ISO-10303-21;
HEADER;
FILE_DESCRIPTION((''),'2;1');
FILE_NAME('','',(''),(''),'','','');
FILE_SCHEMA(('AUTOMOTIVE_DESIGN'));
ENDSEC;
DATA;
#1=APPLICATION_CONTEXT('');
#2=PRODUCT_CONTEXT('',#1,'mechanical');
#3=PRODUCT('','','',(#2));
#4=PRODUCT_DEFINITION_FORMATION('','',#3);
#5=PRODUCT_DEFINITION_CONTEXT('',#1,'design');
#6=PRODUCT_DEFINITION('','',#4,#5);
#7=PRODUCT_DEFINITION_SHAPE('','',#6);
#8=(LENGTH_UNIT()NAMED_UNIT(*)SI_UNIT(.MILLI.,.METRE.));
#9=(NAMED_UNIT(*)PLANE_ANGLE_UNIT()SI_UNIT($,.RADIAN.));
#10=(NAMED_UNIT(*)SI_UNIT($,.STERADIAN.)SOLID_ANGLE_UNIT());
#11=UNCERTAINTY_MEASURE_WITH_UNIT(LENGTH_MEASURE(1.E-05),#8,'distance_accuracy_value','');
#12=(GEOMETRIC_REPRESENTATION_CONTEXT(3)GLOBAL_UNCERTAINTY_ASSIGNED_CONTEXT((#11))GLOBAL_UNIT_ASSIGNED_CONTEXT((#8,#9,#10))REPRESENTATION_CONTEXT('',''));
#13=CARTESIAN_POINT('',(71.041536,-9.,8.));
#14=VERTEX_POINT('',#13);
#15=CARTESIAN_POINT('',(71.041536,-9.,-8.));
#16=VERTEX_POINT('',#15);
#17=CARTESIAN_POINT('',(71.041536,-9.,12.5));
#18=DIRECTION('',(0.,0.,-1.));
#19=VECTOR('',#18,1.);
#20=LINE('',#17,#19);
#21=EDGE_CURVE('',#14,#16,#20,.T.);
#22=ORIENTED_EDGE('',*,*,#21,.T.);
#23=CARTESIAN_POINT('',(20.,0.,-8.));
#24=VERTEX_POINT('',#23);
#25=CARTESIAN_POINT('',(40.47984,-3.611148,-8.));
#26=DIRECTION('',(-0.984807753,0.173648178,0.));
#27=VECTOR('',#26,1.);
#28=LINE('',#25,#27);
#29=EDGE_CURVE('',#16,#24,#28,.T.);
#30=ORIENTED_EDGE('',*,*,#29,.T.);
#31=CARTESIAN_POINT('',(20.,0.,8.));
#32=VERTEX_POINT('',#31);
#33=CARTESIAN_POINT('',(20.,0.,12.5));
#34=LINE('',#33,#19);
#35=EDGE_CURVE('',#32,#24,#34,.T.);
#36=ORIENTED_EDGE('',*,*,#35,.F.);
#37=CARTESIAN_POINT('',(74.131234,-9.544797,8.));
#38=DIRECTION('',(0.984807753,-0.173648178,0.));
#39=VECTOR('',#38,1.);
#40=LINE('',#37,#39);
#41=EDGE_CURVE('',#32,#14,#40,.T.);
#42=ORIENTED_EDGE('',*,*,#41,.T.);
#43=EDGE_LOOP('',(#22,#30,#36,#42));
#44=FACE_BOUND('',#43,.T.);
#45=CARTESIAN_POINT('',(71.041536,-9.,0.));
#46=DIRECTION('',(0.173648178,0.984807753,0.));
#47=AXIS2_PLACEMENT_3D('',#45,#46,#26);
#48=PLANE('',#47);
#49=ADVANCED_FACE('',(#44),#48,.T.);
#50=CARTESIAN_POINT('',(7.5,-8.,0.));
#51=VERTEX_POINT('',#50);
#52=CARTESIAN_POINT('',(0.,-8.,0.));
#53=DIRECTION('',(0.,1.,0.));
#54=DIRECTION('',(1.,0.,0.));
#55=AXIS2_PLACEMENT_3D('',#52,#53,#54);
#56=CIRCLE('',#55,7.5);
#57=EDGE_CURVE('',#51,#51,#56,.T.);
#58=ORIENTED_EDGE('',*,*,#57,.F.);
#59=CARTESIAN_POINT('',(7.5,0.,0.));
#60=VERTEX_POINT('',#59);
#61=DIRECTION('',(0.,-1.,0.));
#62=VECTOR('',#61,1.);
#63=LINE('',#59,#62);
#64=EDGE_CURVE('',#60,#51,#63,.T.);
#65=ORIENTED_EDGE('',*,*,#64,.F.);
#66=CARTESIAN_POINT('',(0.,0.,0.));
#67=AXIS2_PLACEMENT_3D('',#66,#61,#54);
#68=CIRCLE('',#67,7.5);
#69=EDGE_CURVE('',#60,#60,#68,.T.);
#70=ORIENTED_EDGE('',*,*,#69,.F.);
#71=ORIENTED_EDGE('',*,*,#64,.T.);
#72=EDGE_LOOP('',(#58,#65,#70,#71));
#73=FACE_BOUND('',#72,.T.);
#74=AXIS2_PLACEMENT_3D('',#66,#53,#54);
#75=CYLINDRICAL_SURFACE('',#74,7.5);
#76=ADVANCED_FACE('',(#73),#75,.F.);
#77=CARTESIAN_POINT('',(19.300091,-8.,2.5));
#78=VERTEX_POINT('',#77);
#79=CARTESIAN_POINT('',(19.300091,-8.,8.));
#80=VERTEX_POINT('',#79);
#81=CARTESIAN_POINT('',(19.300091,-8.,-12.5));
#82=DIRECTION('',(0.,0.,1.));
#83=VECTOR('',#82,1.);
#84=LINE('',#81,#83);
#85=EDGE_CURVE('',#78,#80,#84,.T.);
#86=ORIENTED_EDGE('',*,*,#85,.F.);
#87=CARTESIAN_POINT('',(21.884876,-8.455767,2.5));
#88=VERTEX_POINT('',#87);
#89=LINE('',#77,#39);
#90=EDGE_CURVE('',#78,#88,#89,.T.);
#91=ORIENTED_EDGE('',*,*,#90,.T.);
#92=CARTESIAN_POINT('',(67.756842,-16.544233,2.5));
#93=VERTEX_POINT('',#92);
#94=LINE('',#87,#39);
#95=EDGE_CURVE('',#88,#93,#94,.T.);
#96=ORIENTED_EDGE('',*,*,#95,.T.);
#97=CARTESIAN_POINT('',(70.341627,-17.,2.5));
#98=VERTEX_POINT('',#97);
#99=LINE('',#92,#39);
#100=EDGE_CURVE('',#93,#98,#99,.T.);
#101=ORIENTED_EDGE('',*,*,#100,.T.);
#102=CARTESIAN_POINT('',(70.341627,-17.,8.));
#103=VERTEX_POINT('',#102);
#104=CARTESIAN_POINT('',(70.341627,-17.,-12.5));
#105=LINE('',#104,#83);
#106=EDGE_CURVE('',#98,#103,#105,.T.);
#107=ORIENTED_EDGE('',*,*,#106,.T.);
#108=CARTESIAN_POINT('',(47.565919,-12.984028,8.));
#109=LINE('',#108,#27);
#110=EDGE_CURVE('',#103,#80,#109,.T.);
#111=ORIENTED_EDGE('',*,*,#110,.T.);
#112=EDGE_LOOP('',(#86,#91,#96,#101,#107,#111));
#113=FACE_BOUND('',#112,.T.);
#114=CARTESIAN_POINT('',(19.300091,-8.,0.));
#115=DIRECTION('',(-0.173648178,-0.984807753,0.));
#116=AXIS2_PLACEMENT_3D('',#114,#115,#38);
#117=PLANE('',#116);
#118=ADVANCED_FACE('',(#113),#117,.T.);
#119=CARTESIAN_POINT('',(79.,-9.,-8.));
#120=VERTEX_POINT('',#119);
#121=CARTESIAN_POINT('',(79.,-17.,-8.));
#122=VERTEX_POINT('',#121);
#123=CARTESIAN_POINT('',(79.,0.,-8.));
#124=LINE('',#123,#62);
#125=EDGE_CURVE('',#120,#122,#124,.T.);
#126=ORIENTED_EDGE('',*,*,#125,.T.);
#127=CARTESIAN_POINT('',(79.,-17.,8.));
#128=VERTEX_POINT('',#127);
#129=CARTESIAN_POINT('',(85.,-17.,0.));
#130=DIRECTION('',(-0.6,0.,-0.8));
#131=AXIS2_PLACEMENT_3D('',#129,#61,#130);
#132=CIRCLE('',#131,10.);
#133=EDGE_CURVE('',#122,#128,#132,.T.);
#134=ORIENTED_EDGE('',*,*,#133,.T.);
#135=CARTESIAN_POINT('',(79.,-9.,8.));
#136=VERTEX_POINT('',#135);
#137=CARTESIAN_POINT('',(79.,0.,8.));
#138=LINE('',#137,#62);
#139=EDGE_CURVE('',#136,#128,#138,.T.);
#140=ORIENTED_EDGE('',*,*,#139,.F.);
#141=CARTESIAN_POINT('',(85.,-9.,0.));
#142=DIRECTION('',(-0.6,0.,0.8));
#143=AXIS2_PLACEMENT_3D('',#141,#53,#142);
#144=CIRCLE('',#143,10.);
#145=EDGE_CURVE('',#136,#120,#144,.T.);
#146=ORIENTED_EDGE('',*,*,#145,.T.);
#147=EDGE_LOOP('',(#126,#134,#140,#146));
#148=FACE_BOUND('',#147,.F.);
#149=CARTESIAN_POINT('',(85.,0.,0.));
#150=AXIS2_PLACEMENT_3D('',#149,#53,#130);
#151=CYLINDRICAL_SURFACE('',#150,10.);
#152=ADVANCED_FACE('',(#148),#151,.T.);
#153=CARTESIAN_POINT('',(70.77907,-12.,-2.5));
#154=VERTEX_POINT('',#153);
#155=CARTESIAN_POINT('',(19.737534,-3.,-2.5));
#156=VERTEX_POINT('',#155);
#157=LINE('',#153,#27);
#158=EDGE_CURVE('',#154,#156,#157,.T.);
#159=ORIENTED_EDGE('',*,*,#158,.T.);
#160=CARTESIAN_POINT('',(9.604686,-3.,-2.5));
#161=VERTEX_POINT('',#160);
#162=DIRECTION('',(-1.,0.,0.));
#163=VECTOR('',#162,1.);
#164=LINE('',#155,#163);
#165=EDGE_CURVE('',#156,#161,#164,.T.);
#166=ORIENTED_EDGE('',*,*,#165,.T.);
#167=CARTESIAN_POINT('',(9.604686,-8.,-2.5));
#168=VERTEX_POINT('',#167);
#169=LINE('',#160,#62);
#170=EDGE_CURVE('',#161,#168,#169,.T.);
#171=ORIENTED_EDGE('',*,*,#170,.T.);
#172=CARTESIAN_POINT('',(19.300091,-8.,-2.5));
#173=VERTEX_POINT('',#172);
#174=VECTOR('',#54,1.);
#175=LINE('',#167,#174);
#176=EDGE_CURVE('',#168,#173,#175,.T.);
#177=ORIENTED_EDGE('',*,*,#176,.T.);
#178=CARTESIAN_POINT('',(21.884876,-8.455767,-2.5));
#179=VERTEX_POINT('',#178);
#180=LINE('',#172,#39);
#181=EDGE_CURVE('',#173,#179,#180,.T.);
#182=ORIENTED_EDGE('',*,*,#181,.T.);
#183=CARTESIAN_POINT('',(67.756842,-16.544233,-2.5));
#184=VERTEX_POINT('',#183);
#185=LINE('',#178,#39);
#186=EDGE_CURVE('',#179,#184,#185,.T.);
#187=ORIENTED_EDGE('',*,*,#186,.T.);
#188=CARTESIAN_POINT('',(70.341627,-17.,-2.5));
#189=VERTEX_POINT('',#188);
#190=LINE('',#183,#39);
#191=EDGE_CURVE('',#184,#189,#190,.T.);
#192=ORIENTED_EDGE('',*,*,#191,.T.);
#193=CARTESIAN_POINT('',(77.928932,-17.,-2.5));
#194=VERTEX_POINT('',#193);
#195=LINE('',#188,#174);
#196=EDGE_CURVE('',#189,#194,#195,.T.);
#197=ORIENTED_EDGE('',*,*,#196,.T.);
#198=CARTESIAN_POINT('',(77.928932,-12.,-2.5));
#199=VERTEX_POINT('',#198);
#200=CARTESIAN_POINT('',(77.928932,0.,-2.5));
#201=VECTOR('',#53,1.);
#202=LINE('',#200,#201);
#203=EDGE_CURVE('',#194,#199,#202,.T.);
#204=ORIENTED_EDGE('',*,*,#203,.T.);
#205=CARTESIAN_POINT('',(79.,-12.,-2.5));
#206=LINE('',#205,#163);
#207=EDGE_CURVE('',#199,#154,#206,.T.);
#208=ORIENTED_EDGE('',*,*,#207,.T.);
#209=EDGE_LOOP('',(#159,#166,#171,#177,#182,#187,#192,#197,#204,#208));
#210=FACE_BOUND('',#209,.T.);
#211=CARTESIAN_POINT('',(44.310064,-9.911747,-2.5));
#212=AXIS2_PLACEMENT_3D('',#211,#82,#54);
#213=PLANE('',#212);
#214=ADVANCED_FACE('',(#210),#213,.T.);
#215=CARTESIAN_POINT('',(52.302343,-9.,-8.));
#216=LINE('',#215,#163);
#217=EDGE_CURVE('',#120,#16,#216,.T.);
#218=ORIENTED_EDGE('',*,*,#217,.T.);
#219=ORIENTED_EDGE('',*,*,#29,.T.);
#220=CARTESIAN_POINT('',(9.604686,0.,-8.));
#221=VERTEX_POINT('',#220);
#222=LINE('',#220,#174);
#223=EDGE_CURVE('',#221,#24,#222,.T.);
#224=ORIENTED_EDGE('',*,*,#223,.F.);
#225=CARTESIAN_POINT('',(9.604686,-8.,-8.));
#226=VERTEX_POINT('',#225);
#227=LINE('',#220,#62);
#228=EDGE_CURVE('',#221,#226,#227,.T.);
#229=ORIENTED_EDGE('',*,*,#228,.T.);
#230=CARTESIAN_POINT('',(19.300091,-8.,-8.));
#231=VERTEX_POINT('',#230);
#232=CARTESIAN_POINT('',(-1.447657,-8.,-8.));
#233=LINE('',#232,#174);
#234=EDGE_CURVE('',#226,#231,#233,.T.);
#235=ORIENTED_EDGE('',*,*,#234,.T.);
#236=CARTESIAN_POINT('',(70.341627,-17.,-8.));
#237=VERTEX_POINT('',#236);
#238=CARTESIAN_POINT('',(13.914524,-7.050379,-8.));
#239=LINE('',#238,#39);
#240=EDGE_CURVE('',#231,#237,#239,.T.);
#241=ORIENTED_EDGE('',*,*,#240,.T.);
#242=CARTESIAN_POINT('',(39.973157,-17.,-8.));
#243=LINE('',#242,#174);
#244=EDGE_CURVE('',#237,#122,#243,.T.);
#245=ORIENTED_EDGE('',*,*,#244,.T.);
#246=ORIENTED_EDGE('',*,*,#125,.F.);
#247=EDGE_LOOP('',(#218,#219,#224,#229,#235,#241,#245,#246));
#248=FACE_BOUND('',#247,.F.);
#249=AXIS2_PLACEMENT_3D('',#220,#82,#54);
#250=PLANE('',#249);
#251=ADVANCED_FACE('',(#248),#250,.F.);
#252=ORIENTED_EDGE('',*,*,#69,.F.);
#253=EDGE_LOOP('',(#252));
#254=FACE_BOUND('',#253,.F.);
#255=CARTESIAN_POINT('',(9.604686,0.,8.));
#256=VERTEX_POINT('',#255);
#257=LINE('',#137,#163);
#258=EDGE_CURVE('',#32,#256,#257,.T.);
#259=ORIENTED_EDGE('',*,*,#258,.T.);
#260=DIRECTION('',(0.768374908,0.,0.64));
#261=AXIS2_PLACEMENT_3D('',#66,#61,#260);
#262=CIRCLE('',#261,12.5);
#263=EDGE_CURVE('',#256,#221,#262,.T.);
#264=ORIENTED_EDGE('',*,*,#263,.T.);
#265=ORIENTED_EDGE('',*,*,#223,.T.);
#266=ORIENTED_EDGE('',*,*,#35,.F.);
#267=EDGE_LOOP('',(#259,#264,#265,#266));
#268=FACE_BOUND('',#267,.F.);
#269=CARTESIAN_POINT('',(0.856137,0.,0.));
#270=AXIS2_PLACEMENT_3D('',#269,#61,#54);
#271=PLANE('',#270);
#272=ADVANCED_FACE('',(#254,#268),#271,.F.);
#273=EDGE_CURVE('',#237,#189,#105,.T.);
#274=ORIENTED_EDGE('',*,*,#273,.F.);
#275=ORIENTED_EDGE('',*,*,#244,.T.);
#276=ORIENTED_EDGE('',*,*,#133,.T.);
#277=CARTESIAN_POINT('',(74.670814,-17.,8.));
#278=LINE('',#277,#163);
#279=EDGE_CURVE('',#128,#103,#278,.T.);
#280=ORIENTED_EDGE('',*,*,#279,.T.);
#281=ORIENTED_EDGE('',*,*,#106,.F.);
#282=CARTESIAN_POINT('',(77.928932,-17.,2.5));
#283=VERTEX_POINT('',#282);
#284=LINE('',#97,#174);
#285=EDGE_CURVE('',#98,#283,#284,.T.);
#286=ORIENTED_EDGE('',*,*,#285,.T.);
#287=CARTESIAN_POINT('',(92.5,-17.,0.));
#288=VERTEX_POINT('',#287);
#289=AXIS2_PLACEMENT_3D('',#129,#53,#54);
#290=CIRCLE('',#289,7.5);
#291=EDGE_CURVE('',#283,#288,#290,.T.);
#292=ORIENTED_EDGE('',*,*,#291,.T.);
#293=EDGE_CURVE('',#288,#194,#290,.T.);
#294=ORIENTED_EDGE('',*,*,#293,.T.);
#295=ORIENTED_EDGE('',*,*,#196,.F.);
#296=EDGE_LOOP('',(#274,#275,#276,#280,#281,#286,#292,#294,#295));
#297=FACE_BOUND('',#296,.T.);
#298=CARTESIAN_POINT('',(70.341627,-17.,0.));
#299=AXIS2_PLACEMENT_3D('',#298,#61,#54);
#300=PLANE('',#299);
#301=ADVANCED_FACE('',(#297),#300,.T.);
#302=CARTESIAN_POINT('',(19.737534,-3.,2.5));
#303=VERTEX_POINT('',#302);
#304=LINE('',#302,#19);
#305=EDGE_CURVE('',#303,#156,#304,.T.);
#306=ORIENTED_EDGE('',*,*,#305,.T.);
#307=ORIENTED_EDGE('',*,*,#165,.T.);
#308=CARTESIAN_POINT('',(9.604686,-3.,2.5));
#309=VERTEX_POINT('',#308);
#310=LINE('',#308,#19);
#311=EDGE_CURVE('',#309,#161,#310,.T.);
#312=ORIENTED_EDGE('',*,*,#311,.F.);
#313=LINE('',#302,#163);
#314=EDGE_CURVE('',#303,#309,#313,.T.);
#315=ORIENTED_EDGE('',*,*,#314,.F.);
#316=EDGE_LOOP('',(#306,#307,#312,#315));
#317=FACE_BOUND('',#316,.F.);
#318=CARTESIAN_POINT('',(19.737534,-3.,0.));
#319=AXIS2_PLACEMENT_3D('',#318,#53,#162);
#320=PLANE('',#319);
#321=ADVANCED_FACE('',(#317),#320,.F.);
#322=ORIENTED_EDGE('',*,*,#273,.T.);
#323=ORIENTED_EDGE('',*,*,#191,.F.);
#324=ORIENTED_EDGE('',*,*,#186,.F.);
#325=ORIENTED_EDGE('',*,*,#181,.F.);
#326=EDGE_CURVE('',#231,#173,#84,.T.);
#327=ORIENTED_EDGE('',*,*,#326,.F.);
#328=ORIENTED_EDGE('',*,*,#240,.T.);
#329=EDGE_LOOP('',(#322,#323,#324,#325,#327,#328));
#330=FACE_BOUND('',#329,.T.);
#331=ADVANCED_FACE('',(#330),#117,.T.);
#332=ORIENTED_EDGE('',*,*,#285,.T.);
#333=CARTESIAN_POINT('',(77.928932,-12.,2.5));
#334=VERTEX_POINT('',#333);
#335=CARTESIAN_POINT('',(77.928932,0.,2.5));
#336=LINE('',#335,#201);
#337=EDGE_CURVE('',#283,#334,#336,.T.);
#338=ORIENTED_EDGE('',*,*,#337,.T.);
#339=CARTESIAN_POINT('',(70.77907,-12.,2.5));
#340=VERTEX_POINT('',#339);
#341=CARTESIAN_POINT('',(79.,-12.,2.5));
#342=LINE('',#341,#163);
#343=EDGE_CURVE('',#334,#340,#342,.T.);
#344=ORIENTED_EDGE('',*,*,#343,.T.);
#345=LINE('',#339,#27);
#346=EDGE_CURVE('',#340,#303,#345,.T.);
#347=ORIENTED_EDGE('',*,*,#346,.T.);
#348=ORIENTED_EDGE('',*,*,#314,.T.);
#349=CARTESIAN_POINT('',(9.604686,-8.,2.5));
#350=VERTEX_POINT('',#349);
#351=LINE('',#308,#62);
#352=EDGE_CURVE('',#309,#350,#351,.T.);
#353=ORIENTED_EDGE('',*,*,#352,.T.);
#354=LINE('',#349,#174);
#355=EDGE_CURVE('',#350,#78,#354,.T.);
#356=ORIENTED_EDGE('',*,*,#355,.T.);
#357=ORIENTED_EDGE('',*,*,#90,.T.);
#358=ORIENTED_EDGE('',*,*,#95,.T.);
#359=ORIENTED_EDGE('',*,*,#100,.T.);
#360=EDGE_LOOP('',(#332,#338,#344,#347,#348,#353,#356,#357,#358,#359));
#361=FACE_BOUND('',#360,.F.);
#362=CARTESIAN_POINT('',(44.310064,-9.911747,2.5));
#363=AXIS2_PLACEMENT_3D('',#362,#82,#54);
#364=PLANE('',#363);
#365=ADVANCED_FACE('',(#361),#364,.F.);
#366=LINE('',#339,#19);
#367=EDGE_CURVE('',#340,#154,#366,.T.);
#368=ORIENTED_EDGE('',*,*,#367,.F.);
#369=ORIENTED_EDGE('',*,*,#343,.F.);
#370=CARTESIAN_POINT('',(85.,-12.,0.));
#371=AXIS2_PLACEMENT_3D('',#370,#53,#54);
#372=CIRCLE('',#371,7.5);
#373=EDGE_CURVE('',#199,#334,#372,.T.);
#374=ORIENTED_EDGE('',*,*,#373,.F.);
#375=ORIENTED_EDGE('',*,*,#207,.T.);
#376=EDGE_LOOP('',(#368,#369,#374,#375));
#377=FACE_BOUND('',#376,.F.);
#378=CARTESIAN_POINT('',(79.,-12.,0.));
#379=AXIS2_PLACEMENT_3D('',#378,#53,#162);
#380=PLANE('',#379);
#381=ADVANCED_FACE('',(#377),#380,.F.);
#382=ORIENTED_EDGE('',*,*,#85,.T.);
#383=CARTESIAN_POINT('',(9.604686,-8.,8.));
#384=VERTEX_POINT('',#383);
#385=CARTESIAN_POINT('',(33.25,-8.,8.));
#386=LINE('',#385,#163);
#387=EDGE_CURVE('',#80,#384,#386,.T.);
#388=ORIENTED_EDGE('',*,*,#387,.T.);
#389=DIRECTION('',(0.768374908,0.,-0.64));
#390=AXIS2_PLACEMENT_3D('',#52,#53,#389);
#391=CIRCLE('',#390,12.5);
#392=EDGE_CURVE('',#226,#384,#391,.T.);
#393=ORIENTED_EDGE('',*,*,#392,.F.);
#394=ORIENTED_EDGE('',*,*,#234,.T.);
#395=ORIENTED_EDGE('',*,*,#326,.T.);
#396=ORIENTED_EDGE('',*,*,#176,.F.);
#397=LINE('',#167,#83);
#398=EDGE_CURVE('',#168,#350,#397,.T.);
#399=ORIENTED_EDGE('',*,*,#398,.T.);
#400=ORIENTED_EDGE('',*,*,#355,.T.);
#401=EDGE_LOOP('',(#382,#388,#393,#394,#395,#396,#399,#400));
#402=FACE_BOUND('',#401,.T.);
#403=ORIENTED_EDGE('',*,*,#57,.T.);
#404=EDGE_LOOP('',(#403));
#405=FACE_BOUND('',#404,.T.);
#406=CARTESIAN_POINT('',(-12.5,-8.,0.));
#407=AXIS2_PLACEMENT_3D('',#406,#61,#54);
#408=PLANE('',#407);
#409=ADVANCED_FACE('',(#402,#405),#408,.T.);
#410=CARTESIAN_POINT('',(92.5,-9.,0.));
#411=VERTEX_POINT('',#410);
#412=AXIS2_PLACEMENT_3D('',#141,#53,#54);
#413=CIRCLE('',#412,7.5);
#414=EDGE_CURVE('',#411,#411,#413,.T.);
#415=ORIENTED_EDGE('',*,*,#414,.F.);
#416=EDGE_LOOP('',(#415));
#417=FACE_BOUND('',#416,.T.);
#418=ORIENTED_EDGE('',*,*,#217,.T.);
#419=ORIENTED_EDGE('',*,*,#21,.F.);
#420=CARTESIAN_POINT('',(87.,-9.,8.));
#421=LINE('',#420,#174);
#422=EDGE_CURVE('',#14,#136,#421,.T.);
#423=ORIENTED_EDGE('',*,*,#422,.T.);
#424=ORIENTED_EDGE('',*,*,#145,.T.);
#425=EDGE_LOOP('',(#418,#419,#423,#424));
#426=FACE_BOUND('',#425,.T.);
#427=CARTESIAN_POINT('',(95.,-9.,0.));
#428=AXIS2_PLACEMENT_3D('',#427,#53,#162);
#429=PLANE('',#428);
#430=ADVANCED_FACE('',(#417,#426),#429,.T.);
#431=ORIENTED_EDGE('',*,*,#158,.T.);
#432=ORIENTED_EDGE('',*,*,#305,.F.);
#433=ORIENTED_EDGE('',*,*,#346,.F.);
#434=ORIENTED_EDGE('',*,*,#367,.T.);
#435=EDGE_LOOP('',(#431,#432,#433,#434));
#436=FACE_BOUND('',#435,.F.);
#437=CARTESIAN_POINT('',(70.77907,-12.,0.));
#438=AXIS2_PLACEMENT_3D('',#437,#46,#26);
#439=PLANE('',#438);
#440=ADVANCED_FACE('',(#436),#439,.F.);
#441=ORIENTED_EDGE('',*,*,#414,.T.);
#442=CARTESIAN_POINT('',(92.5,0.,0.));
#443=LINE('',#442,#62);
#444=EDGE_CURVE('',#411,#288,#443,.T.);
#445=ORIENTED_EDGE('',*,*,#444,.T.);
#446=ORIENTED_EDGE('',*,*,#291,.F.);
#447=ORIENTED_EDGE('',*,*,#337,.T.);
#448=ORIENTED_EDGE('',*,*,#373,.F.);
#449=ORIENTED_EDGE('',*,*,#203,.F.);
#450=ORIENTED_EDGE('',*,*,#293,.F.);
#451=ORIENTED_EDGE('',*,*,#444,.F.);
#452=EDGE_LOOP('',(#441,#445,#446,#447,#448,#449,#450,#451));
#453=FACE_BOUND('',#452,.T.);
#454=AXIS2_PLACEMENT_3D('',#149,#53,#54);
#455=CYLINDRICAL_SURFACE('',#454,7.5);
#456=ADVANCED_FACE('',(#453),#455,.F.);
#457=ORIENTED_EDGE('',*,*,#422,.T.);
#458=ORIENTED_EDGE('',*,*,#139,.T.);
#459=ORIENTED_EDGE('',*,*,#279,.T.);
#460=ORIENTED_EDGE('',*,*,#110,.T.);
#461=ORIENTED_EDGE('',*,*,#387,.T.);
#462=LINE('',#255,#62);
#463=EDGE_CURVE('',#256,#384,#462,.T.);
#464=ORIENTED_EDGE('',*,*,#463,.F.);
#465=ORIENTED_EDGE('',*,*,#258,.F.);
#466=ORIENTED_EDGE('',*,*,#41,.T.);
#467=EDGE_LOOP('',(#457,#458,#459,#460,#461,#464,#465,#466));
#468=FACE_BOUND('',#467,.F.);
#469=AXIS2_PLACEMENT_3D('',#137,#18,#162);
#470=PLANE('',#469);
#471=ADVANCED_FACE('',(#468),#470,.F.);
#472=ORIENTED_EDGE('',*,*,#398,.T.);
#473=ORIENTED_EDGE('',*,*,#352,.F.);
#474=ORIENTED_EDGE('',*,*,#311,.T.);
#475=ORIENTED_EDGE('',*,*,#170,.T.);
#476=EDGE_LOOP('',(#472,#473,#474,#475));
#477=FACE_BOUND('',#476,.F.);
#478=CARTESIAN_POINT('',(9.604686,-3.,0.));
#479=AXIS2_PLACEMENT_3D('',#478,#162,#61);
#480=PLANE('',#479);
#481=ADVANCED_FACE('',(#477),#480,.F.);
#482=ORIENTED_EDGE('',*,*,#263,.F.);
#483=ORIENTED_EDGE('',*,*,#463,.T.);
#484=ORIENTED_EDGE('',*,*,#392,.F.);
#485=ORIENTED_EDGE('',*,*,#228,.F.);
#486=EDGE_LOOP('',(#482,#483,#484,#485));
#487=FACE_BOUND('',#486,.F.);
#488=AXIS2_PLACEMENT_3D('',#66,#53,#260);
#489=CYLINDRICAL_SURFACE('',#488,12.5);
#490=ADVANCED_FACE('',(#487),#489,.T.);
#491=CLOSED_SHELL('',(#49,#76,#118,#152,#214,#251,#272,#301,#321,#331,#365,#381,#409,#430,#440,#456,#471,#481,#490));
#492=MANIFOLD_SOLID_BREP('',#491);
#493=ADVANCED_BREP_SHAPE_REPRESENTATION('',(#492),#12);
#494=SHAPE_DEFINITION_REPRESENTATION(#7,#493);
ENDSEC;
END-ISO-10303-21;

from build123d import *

# Parameters (mm, degrees)
F0_R     = 7.5
F1_DEPTH = 25
F3_DEPTH = 12.5
F5_DEPTH = 2.5


with BuildPart() as f1:
    # F0 (on Front) → F1 (new body)
    with BuildSketch(Plane.XZ):
        with BuildLine():
            ThreePointArc((9.6046863561, -8), (11.7539052968, -4.2539052968), (12.5, 0))
            ThreePointArc((12.5, 0), (11.7539052968, 4.2539052968), (9.6046863561, 8))
            ThreePointArc((9.6046863561, 8), (-12.5, 0), (9.6046863561, -8))
        make_face()
        Circle(F0_R, mode=Mode.SUBTRACT)
        with BuildLine():
            ThreePointArc((95, 0), (89.472135955, 8.94427191), (79, 8))
            ThreePointArc((79, 8), (75, 0), (79, -8))
            ThreePointArc((79, -8), (89.472135955, -8.94427191), (95, 0))
        make_face()
        with Locations((85, 0)):
            Circle(F0_R, mode=Mode.SUBTRACT)
        with BuildLine():
            ThreePointArc((9.6046863561, 8), (11.7539052968, 4.2539052968), (12.5, 0))
            ThreePointArc((12.5, 0), (11.7539052968, -4.2539052968), (9.6046863561, -8))
            Line((9.6046863561, -8), (79, -8))
            ThreePointArc((79, -8), (75, 0), (79, 8))
            Line((79, 8), (9.6046863561, 8))
        make_face()
    extrude(amount=F1_DEPTH)

    # F2 (on Top) → F3 (intersect, symmetric)
    with BuildSketch(Plane.XY):
        Polygon((20, 0), (-12.5, 0), (-12.5, -8), (19.3000906918, -8), (70.3416270684, -17), (95, -17), (95, -9), (71.0415363766, -9), align=None)
    extrude(amount=F3_DEPTH, both=True, mode=Mode.INTERSECT)

    # F4 (on Top) → F5 (cut, symmetric)
    with BuildSketch(Plane.XY):
        Polygon((9.6046863561, -3), (9.6046863561, -8), (19.3000906918, -8), (21.884876116, -8.4557674096), (67.7568416441, -16.5442325904), (70.3416270684, -17), (79, -17), (79, -12), (70.779070386, -12), (19.7375340094, -3), align=None)
    extrude(amount=F5_DEPTH, both=True, mode=Mode.SUBTRACT)


solid = f1.part
